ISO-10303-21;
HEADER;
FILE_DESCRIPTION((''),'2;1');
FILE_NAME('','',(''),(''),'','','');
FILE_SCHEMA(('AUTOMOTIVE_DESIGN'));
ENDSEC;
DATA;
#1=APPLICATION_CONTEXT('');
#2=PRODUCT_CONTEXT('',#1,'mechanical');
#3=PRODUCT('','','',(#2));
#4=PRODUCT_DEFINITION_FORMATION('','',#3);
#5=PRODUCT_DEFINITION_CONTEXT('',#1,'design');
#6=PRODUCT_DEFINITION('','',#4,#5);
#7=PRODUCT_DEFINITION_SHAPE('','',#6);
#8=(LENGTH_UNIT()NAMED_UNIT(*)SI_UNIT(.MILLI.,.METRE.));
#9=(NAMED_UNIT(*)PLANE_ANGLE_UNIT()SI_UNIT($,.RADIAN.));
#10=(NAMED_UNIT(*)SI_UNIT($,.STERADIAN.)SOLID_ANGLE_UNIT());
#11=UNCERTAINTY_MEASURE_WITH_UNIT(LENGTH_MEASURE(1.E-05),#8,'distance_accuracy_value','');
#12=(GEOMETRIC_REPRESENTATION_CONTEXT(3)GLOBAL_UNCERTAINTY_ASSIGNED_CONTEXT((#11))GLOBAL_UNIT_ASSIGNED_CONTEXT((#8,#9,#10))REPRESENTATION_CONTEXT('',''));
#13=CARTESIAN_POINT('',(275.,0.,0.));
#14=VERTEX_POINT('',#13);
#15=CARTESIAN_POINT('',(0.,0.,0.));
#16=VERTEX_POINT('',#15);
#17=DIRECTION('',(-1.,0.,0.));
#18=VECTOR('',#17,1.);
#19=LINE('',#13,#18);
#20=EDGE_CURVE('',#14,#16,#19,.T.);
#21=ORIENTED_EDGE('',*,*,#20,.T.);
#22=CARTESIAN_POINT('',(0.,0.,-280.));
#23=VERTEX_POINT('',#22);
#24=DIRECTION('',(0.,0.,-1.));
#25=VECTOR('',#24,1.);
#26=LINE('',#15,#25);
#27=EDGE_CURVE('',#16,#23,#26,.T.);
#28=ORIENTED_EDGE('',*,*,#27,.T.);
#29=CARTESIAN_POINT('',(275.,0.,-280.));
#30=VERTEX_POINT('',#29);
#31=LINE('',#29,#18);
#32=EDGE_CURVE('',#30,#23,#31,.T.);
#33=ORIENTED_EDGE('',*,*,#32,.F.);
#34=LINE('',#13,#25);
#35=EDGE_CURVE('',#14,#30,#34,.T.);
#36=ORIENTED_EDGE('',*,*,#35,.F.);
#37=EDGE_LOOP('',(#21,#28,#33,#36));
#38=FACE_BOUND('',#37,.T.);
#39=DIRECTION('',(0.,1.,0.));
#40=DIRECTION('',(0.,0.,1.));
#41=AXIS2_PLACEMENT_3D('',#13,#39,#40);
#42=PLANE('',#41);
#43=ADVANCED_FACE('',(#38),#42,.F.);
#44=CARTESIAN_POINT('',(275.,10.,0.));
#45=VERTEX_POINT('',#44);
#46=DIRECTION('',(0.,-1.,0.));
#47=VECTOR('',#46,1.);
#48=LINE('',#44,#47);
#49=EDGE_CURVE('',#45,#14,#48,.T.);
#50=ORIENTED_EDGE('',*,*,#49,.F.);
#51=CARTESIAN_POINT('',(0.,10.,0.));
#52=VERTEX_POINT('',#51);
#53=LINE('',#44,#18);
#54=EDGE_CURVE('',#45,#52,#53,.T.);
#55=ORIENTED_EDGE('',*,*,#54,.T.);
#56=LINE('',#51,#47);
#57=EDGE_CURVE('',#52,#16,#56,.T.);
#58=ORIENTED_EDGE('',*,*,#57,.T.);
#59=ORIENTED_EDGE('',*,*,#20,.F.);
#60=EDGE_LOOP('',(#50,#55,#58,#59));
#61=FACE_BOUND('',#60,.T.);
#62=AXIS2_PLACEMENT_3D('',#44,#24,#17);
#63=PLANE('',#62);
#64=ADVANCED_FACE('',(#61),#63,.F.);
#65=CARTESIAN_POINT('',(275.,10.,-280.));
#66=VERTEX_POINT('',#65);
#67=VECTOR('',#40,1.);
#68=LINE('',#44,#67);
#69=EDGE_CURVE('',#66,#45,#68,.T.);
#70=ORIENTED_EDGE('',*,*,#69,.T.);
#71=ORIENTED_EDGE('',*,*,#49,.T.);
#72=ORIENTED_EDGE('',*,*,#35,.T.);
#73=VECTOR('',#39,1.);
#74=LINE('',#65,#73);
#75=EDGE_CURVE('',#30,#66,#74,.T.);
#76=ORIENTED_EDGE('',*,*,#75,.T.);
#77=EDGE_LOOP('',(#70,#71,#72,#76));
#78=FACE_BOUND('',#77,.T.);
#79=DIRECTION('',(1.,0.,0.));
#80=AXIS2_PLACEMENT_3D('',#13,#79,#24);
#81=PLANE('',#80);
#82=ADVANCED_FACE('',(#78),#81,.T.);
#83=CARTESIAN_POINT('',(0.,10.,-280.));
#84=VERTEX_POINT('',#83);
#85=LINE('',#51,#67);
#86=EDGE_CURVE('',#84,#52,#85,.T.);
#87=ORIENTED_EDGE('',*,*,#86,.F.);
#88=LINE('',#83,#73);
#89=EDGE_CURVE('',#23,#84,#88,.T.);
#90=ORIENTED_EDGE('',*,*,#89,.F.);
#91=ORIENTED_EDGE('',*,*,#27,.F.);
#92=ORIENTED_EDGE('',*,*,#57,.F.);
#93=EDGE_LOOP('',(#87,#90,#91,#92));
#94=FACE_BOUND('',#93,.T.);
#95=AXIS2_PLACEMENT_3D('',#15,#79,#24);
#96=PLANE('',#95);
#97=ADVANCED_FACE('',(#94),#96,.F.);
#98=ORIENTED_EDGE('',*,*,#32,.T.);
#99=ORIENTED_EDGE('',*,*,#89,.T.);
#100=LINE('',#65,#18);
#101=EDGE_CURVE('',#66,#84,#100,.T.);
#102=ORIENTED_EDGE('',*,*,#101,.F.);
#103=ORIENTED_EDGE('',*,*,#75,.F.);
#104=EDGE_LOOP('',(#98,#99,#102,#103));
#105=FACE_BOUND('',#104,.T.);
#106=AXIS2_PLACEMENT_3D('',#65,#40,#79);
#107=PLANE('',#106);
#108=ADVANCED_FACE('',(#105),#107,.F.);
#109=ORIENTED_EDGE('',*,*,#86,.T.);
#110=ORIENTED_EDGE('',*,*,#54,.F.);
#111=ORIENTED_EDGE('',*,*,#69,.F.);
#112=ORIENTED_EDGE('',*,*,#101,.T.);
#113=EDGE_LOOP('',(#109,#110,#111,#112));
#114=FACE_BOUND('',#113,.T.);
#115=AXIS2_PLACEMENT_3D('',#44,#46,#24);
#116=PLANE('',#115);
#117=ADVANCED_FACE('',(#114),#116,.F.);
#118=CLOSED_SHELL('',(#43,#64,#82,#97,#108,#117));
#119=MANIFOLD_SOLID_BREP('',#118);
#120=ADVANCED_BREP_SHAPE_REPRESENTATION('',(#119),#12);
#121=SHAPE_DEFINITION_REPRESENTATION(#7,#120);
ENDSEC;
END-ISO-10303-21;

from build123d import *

# Parameters (mm, degrees)
IZIM1_W                     = 280
IZIM1_H                     = 10
Y_KSEKLIK_EKSTR_ZYON1_DEPTH = 275


with BuildPart() as part:
    # Çizim1 → Yükseklik-Ekstrüzyon1 (new body)
    with BuildSketch(Plane(origin=(0, 0, 0), x_dir=(0, 0, -1), z_dir=(1, 0, 0))):
        with Locations((140, 5)):
            Rectangle(IZIM1_W, IZIM1_H)
    extrude(amount=Y_KSEKLIK_EKSTR_ZYON1_DEPTH)


solid = part.part
